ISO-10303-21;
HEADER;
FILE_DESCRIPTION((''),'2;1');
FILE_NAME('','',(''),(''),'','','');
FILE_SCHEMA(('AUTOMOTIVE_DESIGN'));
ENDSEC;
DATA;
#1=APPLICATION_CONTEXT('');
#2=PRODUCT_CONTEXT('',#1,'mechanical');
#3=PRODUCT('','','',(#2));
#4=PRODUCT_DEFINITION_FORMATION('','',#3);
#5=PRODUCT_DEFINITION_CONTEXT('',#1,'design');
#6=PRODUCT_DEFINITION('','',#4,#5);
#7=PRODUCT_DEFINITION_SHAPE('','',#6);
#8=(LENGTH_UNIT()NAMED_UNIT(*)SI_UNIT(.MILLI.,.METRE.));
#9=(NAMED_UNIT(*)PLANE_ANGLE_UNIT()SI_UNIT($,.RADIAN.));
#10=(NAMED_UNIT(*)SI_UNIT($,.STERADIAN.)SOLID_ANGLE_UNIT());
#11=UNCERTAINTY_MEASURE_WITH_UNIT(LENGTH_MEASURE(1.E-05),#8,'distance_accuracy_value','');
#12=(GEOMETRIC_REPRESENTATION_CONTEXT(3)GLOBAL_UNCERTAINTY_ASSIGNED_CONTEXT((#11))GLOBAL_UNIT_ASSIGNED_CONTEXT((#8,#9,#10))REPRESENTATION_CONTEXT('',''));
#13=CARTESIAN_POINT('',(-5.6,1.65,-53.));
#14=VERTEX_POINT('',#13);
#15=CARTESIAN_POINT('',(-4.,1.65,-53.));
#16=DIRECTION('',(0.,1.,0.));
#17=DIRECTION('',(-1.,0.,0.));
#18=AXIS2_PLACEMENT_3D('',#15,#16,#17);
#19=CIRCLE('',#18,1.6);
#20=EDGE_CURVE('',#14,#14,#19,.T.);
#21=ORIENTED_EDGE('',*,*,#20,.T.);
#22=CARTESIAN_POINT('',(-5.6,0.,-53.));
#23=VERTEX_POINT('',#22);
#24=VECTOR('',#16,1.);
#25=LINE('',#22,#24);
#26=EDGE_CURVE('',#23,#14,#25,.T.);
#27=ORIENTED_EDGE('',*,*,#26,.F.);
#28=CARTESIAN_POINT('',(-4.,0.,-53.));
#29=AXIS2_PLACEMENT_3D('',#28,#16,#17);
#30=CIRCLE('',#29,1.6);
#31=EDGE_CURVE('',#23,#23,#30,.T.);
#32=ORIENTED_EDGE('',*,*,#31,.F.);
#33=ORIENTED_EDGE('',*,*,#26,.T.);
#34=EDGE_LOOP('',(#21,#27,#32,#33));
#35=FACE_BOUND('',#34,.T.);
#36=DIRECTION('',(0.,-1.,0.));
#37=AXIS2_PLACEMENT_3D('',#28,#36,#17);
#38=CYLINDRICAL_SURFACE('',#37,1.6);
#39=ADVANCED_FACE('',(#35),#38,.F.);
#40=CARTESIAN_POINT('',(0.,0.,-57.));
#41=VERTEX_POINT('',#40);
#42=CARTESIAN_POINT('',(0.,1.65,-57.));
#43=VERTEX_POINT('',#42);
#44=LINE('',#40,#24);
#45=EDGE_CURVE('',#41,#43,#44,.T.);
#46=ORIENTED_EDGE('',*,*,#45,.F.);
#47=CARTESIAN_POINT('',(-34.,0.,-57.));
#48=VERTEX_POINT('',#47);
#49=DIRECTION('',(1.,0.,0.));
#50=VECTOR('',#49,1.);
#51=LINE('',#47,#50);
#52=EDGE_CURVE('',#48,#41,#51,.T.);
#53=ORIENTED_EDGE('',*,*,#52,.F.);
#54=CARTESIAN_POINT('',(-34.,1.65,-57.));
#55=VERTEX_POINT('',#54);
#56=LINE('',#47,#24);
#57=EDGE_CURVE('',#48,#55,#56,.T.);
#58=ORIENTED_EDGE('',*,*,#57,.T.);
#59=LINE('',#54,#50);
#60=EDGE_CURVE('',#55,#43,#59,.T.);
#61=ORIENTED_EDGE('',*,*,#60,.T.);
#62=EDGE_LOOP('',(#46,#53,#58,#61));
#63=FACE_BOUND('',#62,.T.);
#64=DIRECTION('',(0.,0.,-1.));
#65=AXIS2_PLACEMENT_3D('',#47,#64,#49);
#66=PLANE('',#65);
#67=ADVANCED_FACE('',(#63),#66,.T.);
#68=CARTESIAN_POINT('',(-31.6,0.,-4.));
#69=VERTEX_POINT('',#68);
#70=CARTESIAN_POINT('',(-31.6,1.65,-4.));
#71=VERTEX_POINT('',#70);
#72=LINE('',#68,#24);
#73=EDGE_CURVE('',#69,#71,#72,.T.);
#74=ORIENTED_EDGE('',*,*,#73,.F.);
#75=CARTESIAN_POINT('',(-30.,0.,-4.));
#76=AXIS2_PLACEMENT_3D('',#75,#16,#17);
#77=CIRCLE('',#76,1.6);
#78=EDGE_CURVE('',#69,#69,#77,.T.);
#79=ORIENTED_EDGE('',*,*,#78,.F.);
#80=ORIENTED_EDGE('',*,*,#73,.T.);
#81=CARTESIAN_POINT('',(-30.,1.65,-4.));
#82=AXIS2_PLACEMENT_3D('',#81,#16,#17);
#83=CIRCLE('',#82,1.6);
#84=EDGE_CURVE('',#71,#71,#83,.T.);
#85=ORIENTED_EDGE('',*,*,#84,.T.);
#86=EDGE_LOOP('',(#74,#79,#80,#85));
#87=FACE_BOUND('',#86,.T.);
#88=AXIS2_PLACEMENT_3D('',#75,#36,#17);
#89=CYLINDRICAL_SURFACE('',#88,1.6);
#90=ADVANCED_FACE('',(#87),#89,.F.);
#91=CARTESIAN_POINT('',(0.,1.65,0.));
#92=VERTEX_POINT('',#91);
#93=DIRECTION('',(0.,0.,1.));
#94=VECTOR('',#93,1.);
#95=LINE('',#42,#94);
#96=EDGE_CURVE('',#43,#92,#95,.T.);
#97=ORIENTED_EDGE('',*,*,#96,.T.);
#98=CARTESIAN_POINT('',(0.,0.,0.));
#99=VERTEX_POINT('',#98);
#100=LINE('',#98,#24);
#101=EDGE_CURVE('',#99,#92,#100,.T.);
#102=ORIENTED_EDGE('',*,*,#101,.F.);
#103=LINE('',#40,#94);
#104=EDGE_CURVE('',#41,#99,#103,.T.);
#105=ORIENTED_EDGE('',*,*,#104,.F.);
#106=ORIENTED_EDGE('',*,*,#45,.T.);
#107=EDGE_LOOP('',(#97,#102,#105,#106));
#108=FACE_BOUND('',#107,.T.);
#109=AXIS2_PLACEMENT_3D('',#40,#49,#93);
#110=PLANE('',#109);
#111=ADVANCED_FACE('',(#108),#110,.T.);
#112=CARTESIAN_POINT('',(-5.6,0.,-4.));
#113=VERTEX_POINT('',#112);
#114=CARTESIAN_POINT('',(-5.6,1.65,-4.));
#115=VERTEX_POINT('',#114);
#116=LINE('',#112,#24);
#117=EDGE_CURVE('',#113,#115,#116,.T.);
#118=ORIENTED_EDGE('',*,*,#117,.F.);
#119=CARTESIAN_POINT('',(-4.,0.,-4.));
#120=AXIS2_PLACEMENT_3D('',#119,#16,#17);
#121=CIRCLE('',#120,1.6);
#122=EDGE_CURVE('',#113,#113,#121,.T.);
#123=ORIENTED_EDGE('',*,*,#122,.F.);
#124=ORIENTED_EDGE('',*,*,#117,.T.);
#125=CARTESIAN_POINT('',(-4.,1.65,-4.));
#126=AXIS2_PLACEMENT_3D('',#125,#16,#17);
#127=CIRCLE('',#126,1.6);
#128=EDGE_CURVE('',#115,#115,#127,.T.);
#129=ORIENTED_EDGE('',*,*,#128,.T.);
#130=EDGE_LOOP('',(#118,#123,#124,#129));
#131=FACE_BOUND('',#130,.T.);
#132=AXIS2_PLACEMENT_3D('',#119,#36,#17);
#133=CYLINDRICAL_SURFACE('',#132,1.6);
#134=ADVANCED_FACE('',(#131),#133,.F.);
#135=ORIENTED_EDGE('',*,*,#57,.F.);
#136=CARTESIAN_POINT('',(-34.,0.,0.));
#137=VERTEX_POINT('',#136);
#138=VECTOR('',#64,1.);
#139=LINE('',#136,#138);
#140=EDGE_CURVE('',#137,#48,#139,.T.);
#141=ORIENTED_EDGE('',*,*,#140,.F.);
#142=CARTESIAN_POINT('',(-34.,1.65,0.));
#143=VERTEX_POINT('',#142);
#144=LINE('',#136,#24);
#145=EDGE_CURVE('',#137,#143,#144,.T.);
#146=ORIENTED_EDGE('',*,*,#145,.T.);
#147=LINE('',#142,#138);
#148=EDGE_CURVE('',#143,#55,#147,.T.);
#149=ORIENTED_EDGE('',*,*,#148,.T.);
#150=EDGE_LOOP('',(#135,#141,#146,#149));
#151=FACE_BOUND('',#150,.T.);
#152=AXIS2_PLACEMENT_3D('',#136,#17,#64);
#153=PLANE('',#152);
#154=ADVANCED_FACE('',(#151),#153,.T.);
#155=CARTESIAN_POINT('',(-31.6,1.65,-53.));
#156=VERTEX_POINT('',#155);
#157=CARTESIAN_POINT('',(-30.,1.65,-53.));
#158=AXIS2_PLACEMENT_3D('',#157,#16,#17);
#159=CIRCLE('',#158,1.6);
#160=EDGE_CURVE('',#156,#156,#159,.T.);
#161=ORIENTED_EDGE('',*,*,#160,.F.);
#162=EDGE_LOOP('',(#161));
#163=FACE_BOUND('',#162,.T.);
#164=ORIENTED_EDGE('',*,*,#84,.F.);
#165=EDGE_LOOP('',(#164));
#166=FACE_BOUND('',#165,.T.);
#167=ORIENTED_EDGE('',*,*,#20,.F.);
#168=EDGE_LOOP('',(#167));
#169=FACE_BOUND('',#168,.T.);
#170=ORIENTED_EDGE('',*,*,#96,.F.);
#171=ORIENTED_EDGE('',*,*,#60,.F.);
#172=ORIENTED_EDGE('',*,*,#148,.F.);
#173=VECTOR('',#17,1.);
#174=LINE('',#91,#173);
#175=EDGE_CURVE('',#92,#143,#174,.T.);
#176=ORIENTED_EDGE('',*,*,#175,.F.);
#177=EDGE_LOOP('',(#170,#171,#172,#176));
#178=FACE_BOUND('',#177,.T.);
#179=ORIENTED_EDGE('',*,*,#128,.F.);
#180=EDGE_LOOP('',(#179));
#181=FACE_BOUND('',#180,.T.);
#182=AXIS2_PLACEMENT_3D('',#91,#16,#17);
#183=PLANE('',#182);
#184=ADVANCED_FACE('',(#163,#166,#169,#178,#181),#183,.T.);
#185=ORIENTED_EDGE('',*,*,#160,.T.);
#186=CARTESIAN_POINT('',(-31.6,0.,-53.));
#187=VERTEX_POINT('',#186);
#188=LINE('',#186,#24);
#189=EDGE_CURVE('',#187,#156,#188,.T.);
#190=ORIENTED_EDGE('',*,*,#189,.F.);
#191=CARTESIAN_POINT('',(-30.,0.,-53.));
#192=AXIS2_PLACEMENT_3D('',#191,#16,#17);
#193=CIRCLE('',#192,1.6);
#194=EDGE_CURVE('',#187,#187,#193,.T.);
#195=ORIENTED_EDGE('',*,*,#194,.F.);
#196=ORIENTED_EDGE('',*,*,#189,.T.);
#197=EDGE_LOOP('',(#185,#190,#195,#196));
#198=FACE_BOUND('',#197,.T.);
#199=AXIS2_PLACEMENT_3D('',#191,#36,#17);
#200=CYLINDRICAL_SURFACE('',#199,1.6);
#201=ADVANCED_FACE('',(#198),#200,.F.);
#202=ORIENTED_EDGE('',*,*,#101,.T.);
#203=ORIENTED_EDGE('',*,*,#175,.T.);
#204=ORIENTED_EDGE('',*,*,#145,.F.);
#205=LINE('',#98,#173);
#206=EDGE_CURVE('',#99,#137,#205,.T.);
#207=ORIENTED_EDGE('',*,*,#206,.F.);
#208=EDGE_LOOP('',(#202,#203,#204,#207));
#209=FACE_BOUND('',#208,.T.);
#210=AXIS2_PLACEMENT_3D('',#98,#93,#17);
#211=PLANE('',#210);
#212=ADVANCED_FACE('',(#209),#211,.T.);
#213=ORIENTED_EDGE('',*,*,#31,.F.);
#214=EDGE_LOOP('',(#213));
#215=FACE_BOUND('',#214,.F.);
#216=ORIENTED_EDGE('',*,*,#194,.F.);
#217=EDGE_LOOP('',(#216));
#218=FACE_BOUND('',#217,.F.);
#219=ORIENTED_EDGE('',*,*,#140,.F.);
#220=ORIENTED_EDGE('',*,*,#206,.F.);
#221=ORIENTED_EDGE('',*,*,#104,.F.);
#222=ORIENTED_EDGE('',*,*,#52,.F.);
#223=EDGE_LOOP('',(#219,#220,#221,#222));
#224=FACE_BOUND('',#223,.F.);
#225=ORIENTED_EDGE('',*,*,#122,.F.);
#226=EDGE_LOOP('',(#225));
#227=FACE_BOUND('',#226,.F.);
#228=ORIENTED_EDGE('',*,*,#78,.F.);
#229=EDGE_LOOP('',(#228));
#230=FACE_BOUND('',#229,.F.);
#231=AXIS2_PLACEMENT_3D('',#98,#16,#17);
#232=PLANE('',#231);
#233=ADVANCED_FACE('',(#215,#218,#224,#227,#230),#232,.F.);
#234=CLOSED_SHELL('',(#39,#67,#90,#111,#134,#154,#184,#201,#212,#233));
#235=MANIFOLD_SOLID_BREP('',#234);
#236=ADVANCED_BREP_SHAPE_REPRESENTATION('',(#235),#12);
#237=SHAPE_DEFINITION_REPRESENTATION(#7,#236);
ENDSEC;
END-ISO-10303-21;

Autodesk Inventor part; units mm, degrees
ref_plane "YZ Plane" through (0, 0, 0) normal (1, 0, 0) x (0, 1, 0)
ref_plane "XZ Plane" through (0, 0, 0) normal (0, 1, 0) x (-1, 0, 0)
ref_plane "XY Plane" through (0, 0, 0) normal (0, 0, 1) x (1, 0, 0)
sketch "Sketch1" plane through (0, 0, 0) normal (0, 1, 0) x (-1, 0, 0)
  line L0 (0, 0) -> (34, 0)
  line L1 (34, 0) -> (34, -57)
  line L2 (34, -57) -> (0, -57)
  line L3 (0, -57) -> (0, 0)
  line L4 (39.9452, -28.5) -> (-12.5583, -28.5) construction
  line L5 (17, 5.3263) -> (17, -64.2642) construction
  line L6 (4, -53) -> (30, -53) construction
  line L7 (30, -53) -> (30, -4) construction
  line L8 (30, -4) -> (4, -4) construction
  line L9 (4, -4) -> (4, -53) construction
  line L10 (4, -53) -> (30, -4) construction
  line L11 (30, -53) -> (4, -4) construction
  circle A0 centre (30, -4) radius 1.6
  circle A1 centre (30, -53) radius 1.6
  circle A2 centre (4, -4) radius 1.6
  circle A3 centre (4, -53) radius 1.6
  point P0 (34, -28.5)
  point P1 (17, -57)
  point P2 (17, -28.5)
  dimension "d0" = 34
  dimension "d1" = 57
  dimension "d2" = 26
  dimension "d3" = 49
  dimension "d4" = 3.2
  dimension "d5" = 3.2
  dimension "d6" = 3.2
  dimension "d7" = 3.2
extrude "Extrusion1" add sketch "Sketch1" along normal blind 1.65
properties part number "Status Indicator PCB"
